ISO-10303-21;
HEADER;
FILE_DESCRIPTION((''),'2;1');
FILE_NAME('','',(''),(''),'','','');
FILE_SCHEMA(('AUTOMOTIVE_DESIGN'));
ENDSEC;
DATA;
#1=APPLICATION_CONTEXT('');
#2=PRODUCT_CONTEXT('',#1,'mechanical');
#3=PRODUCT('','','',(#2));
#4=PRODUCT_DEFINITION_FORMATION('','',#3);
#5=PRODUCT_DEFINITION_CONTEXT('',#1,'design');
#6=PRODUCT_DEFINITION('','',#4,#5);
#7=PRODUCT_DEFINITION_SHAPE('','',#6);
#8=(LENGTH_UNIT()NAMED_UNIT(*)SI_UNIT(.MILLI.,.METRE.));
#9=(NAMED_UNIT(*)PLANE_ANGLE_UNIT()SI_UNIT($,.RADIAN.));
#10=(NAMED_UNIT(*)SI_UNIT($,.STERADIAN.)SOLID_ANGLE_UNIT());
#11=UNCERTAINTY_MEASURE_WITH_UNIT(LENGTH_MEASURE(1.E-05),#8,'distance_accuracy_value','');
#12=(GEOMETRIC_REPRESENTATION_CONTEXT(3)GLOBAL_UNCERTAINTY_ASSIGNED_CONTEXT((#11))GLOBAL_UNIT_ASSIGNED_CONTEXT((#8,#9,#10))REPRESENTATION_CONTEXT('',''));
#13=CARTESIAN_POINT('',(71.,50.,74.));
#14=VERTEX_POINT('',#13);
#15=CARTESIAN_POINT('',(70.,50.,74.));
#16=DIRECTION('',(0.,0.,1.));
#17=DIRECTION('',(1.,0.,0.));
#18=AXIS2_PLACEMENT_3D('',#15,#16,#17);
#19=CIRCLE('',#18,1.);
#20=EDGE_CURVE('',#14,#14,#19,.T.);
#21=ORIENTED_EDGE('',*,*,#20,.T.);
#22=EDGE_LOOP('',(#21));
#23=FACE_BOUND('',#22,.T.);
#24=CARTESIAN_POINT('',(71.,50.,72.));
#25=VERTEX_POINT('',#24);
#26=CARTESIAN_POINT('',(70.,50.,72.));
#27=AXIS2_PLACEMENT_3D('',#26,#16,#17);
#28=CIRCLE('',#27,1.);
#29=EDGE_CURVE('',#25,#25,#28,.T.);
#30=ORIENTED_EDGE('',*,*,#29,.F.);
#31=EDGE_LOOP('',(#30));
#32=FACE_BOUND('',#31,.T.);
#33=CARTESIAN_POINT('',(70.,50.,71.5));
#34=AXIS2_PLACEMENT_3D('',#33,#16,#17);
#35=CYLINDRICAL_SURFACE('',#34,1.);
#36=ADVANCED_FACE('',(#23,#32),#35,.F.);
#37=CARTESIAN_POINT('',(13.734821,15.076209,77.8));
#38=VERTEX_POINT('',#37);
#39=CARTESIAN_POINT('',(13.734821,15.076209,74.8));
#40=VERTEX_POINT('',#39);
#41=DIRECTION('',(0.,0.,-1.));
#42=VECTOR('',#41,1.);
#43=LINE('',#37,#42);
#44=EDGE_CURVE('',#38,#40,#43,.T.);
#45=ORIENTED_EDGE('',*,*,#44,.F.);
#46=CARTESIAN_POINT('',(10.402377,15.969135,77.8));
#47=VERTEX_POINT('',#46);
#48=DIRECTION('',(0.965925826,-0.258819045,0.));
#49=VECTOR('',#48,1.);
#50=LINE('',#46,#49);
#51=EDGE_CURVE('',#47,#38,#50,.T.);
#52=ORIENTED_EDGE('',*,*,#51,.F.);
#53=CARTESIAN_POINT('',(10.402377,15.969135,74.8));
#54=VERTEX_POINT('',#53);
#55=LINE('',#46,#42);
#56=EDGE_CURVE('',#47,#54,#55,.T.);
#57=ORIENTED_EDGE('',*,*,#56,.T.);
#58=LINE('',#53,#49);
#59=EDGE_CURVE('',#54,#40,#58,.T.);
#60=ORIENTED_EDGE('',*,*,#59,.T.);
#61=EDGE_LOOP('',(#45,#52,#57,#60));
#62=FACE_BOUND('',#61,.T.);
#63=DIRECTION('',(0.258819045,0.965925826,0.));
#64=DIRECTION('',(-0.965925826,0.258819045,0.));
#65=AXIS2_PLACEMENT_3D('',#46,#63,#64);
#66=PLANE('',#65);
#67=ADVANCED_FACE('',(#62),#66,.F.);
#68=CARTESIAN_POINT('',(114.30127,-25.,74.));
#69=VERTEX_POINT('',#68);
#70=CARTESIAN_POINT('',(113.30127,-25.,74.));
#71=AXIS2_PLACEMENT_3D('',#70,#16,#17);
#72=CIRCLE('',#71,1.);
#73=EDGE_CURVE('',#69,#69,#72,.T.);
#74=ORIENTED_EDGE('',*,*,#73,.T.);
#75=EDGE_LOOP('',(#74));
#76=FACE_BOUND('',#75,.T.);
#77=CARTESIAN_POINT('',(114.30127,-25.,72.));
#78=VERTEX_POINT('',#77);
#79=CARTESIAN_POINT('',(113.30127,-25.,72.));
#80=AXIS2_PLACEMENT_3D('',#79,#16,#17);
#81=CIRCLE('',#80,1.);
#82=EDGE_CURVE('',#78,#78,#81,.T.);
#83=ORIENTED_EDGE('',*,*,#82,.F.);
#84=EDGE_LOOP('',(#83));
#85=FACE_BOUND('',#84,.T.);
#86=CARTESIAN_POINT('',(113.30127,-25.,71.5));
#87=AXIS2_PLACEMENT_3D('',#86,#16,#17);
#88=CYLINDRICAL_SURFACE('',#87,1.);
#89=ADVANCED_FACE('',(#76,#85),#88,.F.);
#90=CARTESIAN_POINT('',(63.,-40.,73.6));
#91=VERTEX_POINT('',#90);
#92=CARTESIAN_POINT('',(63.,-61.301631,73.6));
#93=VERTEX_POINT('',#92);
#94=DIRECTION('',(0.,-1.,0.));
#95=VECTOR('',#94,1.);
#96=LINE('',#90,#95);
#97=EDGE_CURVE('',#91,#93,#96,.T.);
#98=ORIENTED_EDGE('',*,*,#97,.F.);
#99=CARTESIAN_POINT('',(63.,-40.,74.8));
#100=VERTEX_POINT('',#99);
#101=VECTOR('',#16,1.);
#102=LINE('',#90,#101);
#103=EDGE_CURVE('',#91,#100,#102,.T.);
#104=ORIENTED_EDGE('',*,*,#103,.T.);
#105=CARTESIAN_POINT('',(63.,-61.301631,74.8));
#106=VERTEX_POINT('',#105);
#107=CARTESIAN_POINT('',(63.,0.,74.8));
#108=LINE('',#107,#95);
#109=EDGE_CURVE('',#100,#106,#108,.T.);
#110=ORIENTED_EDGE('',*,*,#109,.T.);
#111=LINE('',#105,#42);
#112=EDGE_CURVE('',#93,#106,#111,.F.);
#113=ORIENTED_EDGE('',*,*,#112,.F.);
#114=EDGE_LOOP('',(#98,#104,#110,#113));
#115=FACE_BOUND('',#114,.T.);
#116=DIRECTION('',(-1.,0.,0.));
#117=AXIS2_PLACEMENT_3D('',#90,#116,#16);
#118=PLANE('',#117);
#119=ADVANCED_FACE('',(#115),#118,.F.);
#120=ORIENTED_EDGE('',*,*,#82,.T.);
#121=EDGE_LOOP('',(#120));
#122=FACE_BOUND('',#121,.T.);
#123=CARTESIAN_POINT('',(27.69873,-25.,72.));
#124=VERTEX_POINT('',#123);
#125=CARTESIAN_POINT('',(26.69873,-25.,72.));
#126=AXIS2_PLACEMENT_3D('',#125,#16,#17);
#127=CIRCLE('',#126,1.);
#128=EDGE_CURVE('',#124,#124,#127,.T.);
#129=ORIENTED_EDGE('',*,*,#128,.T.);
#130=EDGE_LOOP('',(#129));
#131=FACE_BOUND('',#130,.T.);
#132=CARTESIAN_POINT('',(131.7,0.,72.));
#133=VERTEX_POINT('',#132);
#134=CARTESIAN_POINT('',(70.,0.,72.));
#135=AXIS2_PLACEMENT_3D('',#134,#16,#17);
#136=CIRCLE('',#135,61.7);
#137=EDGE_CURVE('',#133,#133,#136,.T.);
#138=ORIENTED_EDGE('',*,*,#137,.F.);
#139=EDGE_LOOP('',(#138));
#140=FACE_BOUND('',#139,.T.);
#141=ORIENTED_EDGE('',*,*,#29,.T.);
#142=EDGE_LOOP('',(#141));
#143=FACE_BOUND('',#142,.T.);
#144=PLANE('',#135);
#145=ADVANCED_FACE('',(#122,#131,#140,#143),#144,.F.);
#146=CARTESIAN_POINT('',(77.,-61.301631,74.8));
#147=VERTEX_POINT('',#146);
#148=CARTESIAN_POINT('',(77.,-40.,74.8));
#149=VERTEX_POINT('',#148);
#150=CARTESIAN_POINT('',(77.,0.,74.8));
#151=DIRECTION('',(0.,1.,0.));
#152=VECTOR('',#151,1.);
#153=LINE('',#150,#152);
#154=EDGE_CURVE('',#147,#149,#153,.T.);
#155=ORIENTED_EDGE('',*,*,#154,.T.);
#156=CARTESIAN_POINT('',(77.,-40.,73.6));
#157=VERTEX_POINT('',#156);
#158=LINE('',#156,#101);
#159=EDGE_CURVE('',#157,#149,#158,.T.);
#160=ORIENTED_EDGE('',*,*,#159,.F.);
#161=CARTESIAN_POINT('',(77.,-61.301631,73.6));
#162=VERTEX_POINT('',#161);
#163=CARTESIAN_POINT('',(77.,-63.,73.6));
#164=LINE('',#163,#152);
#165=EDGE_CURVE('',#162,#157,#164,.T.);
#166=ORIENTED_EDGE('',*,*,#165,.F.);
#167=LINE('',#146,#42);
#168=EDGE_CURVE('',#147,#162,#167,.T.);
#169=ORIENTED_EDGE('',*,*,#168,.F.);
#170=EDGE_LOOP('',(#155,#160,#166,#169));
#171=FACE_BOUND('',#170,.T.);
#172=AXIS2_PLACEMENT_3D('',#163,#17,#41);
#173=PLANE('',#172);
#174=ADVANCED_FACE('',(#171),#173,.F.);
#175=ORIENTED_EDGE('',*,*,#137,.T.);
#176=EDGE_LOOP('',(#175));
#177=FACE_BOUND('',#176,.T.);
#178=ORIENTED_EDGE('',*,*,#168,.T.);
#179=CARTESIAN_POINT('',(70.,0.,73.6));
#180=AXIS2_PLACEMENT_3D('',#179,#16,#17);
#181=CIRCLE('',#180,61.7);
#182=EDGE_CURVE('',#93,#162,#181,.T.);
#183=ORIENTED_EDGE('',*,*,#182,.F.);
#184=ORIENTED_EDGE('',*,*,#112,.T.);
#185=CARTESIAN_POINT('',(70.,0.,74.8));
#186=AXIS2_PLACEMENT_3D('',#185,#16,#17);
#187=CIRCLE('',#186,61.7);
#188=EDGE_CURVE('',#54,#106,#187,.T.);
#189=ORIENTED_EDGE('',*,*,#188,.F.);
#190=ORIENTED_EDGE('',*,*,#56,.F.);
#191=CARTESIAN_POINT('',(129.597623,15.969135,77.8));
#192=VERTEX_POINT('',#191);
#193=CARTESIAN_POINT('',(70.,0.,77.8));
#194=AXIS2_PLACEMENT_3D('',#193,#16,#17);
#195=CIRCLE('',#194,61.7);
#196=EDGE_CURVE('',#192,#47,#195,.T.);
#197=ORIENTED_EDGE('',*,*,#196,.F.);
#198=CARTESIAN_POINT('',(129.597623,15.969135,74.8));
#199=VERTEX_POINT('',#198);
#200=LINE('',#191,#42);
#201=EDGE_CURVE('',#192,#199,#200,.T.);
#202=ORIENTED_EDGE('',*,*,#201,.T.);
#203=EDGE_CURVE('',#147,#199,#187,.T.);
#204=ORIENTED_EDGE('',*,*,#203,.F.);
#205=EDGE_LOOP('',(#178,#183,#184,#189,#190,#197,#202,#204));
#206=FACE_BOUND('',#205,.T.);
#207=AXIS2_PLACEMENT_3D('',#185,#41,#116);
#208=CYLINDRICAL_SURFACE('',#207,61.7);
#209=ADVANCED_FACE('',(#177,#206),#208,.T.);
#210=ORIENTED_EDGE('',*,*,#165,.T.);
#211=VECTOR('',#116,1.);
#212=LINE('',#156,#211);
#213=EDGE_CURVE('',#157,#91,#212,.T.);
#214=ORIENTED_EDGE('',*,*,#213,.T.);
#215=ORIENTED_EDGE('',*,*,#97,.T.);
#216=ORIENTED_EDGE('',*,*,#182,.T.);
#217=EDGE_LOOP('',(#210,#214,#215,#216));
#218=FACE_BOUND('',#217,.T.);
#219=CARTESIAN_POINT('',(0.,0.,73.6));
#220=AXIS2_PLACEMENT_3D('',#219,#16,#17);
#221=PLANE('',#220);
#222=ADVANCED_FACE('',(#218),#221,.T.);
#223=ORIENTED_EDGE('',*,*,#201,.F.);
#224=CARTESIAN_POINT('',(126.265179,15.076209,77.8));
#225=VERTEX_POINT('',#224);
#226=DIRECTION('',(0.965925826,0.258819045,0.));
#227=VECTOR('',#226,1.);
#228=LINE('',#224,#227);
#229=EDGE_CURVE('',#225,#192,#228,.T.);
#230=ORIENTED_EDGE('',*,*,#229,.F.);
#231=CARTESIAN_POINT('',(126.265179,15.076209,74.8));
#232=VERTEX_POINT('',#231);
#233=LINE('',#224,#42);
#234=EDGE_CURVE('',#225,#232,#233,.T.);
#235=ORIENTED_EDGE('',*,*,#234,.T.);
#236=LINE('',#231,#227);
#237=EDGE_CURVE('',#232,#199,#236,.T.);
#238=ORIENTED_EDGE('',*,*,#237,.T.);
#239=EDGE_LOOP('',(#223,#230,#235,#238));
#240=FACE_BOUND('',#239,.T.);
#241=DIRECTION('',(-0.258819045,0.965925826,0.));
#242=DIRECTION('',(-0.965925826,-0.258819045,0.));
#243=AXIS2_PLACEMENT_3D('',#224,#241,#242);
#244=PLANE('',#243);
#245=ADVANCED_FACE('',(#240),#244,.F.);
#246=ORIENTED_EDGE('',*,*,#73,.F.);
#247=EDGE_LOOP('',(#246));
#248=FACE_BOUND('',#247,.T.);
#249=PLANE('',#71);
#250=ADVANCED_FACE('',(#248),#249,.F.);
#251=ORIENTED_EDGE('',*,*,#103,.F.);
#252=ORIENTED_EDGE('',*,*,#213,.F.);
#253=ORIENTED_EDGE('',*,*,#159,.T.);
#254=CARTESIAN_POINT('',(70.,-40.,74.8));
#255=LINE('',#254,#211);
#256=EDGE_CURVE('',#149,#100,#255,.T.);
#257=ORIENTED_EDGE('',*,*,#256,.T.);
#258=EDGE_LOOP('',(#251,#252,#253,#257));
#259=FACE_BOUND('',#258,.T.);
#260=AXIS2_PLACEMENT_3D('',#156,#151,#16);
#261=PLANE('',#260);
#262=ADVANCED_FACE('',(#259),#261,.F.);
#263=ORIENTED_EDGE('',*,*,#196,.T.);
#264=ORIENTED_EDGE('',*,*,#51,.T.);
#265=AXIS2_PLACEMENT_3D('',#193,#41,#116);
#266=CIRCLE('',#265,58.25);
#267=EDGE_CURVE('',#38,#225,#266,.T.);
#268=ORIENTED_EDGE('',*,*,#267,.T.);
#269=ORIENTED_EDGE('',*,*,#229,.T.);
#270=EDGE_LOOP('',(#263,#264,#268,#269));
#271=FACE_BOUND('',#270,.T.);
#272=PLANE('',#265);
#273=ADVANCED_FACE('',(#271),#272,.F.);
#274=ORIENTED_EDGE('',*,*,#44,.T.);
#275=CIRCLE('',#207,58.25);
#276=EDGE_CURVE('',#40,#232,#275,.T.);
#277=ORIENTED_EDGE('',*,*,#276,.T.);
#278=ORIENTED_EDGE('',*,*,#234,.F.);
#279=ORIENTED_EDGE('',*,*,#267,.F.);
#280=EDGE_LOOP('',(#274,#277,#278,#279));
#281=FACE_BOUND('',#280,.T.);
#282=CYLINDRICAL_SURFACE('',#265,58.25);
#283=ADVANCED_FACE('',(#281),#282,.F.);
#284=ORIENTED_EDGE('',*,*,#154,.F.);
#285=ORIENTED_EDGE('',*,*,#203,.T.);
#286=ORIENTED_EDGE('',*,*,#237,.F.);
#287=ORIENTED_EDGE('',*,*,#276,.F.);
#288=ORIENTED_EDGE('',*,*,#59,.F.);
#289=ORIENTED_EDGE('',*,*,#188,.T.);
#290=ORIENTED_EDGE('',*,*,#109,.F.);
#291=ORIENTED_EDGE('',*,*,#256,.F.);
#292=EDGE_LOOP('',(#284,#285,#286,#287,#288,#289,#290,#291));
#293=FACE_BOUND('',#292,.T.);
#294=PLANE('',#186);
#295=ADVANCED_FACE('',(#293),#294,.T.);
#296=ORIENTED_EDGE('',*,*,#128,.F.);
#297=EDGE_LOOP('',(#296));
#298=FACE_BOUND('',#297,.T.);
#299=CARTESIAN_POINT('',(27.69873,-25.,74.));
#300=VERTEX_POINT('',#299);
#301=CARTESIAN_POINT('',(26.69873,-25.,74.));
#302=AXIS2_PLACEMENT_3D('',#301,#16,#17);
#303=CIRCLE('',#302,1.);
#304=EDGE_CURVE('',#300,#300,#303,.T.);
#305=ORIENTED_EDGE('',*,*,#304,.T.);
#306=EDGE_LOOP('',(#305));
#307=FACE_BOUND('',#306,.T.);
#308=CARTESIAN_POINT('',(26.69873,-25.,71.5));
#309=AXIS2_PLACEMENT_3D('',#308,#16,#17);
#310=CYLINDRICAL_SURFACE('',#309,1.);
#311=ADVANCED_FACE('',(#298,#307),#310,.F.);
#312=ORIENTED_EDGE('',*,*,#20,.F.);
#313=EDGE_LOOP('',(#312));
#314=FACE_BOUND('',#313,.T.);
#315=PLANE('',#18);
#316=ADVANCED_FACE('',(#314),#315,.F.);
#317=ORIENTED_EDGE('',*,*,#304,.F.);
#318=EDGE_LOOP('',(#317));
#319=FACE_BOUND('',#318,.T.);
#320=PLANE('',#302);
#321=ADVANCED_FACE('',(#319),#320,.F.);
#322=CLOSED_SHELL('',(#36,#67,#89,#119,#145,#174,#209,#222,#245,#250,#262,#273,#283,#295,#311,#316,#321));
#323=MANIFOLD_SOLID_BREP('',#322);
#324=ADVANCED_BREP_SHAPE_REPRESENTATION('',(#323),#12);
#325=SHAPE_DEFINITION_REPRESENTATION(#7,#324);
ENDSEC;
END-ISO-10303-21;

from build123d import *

# Parameters (mm, degrees)
SKETCH1_R                = 61.7
SEAT_DISC_DEPTH          = 2.8
REAR_STOP_ARC_DEPTH      = 3
SKETCH3_W                = 14
SKETCH3_H                = 23
FRONT_DRAIN_GROOVE_DEPTH = 0.85
SKETCH4_R                = 1
PIN_HOLES_DEPTH          = 1.25


with BuildPart() as part:
    # Sketch1 → Seat_disc (new body)
    with BuildSketch(Plane.XY.offset(72)):
        with Locations((70, 0)):
            Circle(SKETCH1_R)
    extrude(amount=SEAT_DISC_DEPTH)

    # Sketch2 → Rear_stop_arc (add)
    with BuildSketch(Plane.XY.offset(74.8)):
        with BuildLine():
            Line((126.265179381, 15.076209377), (129.597623482, 15.969135083))
            ThreePointArc((129.597623482, 15.969135083), (70, 61.7), (10.402376518, 15.969135083))
            Line((10.402376518, 15.969135083), (13.734820619, 15.076209377))
            ThreePointArc((13.734820619, 15.076209377), (70, 58.25), (126.265179381, 15.076209377))
        make_face()
    extrude(amount=REAR_STOP_ARC_DEPTH)

    # Sketch3 → Front_drain_groove (cut, symmetric)
    with BuildSketch(Plane.XY.offset(74.45)):
        with Locations((70, -51.5)):
            Rectangle(SKETCH3_W, SKETCH3_H)
    extrude(amount=FRONT_DRAIN_GROOVE_DEPTH, both=True, mode=Mode.SUBTRACT)

    # Sketch4 → Pin_holes (cut, symmetric)
    with BuildSketch(Plane.XY.offset(72.75)):
        with Locations((70, 50)):
            Circle(SKETCH4_R)
        with Locations((26.698729811, -25)):
            Circle(SKETCH4_R)
        with Locations((113.301270189, -25)):
            Circle(SKETCH4_R)
    extrude(amount=PIN_HOLES_DEPTH, both=True, mode=Mode.SUBTRACT)


solid = part.part
